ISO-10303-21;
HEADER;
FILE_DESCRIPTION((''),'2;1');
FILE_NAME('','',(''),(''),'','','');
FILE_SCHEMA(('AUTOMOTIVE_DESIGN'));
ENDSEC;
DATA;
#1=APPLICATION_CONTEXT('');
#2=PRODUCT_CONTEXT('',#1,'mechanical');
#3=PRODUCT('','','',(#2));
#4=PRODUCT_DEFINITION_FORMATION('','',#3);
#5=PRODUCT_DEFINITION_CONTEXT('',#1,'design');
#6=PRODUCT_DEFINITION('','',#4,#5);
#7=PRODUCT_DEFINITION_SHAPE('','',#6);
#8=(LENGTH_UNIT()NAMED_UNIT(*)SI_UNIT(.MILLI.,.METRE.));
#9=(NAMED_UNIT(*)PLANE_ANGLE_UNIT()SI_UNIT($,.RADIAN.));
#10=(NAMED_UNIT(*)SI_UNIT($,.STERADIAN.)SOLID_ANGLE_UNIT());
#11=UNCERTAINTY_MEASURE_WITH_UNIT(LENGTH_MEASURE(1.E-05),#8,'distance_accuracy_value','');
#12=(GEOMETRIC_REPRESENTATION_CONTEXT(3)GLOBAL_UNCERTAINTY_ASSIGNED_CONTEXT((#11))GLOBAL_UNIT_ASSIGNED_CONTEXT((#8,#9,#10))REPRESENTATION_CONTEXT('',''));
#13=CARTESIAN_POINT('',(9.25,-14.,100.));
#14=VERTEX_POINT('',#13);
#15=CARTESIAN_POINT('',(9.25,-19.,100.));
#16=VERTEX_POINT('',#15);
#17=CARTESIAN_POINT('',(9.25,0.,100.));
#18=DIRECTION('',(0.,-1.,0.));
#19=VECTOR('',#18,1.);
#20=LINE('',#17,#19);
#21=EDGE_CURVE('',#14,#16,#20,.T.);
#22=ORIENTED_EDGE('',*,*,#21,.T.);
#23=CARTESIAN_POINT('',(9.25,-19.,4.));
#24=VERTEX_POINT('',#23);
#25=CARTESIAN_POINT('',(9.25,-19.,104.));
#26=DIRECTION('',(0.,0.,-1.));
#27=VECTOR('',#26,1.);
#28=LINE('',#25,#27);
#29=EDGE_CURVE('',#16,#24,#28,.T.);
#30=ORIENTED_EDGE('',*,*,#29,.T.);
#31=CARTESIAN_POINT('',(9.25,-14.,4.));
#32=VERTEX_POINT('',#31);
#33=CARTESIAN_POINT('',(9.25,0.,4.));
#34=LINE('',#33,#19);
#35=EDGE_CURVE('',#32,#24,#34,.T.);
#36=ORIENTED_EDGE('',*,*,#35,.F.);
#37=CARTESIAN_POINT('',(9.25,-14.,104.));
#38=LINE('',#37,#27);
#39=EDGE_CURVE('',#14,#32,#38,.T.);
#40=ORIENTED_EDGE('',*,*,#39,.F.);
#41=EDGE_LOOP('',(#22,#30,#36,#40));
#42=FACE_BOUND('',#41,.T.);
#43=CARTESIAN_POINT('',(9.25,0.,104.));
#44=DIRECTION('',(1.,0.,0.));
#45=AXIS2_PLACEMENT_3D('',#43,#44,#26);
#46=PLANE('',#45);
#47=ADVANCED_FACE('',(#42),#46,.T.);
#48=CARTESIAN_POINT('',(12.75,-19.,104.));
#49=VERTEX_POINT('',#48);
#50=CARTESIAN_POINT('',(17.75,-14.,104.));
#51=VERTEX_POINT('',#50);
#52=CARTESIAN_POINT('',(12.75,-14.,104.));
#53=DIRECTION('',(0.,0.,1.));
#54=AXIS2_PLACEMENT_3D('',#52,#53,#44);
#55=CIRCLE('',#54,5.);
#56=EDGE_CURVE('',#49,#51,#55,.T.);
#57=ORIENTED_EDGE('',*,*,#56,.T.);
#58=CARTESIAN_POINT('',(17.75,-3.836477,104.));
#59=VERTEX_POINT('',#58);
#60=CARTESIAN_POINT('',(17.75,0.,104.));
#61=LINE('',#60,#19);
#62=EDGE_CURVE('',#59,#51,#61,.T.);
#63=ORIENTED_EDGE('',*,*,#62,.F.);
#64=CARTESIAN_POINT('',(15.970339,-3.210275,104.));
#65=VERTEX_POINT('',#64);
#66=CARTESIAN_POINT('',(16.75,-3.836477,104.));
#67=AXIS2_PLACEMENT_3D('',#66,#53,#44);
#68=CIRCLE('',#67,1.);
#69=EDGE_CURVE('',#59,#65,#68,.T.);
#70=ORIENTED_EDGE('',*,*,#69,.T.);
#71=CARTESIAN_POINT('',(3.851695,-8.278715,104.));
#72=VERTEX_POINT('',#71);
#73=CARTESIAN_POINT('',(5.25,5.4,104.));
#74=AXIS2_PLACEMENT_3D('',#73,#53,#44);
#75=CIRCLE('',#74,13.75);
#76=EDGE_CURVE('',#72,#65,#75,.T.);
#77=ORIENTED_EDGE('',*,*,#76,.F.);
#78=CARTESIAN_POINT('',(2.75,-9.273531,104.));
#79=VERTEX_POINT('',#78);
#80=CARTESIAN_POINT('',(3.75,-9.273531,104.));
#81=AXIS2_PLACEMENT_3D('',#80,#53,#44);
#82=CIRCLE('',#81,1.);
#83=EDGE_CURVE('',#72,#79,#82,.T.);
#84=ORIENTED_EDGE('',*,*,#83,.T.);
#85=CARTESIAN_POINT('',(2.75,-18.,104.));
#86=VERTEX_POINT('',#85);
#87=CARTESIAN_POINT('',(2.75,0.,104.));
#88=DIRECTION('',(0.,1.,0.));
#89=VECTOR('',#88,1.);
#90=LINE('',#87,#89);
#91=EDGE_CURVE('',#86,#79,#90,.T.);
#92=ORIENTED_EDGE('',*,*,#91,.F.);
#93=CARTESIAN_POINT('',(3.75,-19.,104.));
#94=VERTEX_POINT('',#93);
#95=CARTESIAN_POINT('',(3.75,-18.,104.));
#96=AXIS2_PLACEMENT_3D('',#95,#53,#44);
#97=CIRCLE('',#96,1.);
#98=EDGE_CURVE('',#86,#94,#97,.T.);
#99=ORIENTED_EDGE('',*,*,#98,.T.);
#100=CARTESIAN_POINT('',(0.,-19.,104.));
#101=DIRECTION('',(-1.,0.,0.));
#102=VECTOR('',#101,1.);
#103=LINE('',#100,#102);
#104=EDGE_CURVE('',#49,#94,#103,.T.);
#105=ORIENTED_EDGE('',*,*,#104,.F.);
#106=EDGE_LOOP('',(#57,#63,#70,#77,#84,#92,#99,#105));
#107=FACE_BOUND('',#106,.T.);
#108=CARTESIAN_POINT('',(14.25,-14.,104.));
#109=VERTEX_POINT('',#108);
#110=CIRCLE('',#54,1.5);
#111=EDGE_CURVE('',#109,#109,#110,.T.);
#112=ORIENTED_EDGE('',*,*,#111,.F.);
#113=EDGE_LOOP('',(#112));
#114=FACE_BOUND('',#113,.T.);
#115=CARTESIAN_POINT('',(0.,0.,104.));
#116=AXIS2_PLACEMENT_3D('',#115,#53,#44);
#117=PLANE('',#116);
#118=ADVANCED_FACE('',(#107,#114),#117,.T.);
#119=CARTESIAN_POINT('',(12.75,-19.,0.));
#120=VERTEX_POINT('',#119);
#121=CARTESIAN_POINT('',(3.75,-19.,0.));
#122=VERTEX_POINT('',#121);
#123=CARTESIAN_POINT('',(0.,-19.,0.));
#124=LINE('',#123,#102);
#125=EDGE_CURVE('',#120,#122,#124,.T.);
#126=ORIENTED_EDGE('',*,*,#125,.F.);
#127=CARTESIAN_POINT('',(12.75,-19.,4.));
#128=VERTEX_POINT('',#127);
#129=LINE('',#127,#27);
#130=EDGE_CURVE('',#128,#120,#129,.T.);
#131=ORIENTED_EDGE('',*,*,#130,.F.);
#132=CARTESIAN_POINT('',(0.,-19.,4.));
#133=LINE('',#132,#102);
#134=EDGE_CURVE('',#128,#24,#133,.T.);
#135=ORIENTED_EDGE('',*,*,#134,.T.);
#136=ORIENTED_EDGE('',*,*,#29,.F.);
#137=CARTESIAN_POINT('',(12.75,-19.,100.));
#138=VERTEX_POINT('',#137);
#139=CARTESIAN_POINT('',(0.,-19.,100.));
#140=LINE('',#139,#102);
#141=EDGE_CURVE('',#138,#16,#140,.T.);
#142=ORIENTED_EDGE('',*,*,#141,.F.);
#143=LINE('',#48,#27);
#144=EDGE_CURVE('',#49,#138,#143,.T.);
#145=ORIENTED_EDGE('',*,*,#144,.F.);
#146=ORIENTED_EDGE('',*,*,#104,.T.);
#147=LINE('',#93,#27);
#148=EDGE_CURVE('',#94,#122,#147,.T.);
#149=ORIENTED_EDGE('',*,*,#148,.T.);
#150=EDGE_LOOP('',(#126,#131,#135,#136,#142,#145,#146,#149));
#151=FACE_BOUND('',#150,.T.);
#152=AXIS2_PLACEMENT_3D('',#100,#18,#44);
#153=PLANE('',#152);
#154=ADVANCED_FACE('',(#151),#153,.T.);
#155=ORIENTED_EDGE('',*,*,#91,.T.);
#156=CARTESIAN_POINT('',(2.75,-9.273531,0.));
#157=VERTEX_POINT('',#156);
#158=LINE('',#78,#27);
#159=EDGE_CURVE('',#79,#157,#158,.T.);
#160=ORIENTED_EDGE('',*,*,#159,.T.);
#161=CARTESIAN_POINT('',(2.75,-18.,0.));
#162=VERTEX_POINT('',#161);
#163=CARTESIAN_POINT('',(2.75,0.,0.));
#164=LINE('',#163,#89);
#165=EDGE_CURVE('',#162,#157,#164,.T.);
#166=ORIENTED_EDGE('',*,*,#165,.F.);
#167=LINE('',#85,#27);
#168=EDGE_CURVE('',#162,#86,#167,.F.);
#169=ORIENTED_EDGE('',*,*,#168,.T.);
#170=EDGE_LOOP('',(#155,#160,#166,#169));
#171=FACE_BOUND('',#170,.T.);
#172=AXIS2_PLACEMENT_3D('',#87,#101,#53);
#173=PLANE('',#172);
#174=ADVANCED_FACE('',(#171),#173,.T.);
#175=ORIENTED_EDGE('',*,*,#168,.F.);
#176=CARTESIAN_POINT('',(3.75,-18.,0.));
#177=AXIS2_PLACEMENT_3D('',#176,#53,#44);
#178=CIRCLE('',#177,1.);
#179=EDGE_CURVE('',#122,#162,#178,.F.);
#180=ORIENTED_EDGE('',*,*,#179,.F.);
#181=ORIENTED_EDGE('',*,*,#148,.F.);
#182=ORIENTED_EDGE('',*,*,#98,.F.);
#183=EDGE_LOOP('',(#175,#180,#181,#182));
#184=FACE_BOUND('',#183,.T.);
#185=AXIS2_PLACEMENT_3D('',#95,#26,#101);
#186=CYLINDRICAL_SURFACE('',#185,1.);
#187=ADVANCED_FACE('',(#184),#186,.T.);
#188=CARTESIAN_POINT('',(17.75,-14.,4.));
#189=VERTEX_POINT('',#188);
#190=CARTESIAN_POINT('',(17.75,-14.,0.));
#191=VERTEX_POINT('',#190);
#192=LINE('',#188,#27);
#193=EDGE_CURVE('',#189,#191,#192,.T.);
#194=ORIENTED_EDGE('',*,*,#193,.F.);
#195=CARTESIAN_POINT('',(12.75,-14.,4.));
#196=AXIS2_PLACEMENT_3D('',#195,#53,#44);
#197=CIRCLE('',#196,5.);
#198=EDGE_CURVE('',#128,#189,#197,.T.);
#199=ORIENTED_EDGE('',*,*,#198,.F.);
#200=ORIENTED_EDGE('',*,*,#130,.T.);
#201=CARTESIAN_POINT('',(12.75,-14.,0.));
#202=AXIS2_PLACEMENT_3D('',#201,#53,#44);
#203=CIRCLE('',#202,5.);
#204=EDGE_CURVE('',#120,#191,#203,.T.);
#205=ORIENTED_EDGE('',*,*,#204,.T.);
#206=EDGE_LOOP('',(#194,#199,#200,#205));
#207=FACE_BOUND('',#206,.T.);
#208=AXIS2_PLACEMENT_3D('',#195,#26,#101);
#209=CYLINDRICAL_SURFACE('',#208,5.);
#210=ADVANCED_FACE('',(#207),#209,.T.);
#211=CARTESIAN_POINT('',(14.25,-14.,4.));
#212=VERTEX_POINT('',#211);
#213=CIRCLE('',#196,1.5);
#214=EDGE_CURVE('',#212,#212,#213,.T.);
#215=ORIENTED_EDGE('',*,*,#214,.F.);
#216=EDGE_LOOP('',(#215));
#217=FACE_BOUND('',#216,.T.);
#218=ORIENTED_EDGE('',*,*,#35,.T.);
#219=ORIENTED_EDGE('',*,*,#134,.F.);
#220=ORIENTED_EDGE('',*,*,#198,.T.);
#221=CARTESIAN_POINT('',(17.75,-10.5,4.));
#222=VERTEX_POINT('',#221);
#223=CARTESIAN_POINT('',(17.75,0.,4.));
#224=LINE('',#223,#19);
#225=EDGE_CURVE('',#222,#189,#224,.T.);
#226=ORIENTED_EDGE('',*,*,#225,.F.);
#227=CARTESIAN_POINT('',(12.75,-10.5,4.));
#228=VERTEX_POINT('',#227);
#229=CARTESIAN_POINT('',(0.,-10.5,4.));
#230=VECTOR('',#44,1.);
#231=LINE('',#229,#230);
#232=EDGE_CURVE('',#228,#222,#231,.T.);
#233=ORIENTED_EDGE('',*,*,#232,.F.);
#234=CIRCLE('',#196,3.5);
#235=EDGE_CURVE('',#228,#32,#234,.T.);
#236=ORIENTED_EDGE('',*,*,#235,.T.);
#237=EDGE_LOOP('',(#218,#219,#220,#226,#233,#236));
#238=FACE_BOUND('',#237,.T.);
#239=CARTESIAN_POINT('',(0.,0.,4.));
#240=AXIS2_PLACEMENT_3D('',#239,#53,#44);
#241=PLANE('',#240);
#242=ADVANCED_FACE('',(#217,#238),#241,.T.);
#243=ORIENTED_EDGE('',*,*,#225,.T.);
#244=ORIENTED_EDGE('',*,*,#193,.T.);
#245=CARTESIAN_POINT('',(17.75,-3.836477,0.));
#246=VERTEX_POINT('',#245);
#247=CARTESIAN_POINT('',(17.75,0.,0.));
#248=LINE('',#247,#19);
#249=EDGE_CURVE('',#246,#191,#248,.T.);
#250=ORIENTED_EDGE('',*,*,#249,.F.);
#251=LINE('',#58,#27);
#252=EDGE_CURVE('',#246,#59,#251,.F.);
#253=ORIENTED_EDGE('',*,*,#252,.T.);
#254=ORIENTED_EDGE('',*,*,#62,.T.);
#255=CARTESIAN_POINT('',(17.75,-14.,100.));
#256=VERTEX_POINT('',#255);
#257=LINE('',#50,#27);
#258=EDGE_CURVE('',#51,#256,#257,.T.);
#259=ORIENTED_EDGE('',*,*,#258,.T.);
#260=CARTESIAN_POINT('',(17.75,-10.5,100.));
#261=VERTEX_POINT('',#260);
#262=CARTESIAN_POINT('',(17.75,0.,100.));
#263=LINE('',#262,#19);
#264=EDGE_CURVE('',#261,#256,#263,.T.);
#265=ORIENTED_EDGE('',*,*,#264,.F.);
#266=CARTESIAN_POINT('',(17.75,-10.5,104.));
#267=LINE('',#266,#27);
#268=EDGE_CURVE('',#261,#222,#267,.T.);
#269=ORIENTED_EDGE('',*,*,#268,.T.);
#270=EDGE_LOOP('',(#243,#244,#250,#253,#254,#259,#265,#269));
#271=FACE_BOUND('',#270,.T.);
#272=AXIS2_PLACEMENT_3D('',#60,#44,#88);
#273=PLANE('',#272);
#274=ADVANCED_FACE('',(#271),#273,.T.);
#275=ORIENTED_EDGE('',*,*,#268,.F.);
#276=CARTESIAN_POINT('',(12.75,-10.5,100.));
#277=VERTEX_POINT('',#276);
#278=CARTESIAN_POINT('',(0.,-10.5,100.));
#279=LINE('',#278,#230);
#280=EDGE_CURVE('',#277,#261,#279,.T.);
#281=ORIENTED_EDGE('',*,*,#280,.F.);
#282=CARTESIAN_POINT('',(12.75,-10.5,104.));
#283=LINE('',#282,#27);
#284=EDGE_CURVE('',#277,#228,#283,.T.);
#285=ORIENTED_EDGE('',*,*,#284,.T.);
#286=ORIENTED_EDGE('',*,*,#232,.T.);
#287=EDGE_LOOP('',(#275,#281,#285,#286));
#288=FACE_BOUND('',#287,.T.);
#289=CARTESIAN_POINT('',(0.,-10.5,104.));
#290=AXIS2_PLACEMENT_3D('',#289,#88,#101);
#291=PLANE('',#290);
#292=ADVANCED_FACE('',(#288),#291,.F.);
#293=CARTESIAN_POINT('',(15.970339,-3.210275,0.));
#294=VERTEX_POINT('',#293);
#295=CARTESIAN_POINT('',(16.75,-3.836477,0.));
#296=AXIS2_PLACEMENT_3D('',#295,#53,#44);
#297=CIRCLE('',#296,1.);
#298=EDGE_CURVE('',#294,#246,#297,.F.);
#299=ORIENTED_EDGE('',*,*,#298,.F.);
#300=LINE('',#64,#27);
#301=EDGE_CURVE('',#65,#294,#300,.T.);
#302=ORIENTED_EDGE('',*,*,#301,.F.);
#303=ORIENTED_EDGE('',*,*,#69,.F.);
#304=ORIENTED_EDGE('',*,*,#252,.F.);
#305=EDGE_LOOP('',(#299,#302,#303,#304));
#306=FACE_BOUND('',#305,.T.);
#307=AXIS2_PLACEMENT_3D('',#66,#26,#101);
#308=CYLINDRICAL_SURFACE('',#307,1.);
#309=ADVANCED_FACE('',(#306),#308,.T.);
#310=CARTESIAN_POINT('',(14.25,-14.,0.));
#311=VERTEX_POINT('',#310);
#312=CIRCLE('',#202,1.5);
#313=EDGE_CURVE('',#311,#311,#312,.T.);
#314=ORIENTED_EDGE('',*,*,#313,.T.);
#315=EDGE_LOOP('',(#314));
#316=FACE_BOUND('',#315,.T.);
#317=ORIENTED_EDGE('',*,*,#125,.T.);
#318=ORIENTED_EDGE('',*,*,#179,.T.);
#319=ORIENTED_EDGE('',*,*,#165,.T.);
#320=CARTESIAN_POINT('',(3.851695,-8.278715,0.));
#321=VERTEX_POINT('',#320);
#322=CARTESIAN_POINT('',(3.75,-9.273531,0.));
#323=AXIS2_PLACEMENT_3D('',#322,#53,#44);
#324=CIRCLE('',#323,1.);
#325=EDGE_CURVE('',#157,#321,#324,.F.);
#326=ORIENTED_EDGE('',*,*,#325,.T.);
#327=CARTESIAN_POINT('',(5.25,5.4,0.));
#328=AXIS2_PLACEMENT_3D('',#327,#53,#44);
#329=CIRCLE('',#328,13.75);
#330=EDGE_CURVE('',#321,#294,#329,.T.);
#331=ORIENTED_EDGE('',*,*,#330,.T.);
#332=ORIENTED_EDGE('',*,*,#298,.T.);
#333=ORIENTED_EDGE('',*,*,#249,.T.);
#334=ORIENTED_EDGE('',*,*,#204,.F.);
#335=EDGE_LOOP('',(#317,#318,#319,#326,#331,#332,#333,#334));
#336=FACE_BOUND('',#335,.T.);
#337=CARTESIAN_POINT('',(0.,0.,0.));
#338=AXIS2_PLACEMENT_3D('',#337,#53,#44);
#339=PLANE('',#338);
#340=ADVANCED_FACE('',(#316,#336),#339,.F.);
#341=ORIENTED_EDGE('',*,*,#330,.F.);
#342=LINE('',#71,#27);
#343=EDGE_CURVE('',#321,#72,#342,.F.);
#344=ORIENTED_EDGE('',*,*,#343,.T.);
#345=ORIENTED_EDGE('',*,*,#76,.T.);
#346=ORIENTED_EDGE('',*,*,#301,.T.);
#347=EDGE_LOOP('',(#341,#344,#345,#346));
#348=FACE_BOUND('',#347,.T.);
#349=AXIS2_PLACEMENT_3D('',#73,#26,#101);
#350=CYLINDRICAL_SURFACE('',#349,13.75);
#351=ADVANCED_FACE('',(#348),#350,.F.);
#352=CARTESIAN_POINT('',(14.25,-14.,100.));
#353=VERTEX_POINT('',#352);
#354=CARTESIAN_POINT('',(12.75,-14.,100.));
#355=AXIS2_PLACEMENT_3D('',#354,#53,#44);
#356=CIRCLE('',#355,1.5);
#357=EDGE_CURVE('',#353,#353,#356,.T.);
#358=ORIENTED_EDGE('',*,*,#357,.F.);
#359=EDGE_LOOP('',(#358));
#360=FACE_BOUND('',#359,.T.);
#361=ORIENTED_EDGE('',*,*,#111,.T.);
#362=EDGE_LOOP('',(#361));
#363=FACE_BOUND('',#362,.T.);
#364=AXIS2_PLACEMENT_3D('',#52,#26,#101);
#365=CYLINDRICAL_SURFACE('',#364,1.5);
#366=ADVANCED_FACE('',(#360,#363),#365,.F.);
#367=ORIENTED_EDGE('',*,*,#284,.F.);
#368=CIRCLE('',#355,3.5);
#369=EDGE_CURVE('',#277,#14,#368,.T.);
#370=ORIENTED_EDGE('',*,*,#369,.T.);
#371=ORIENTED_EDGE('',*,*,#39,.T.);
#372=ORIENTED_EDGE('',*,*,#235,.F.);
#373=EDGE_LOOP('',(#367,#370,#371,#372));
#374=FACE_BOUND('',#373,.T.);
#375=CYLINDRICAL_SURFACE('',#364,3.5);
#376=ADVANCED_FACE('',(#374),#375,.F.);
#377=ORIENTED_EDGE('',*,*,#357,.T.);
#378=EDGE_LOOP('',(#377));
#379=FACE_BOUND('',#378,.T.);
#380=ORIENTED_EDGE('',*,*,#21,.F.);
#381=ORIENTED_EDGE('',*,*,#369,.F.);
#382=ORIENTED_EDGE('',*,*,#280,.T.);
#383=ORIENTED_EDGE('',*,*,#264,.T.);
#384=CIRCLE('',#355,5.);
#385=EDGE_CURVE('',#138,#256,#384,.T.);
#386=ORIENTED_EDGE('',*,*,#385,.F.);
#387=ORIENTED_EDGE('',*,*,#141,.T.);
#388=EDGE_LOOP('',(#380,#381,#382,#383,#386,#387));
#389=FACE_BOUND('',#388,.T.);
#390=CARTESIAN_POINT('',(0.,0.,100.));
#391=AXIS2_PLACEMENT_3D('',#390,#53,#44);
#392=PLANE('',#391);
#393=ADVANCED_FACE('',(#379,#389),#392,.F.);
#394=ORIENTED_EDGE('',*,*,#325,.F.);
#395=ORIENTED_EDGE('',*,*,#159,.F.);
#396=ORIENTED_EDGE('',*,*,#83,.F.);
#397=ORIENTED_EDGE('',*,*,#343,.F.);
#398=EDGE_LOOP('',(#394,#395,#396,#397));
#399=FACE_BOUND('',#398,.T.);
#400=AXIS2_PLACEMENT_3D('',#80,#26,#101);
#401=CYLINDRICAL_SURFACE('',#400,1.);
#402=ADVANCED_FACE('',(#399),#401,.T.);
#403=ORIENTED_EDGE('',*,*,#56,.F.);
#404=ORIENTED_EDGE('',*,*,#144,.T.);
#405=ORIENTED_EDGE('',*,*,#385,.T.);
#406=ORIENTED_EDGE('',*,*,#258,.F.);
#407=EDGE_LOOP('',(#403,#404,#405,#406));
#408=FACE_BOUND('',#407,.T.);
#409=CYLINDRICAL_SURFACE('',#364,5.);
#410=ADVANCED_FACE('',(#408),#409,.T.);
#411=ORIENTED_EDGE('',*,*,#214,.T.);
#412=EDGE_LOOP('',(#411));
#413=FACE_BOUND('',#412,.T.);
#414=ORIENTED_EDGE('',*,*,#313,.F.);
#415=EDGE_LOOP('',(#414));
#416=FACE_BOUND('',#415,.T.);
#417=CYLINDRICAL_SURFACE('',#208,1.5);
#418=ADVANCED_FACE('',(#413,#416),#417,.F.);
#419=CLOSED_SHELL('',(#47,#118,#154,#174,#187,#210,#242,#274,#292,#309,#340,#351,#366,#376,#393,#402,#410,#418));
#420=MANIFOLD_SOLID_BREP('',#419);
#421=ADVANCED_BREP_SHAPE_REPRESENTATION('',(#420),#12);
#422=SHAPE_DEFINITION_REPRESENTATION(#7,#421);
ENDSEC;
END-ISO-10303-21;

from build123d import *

# Parameters (mm, degrees)
EXTRUDE_1_DEPTH = 104
SKETCH_1_23_R   = 1.5
EXTRUDE_2_DEPTH = 4
EXTRUDE_START   = 100
SKETCH_1_24_R   = 1.5
EXTRUDE_3_DEPTH = 4
FILLET_1_R      = 1


with BuildPart() as part:
    # 草图1 → 凸台-拉伸1 (new body)
    with BuildSketch(Plane.XY):
        with BuildLine():
            Line((17.75, -10.5), (17.75, -0.328219619))
            ThreePointArc((17.75, -0.328219619), (11.588859881, -6.801694776), (2.75, -8.120817283))
            Line((2.75, -8.120817283), (2.75, -19))
            Line((2.75, -19), (9.25, -19))
            Line((9.25, -19), (9.25, -14))
            ThreePointArc((9.25, -14), (10.275126266, -11.525126266), (12.75, -10.5))
            Line((12.75, -10.5), (17.75, -10.5))
        make_face()
    extrude(amount=EXTRUDE_1_DEPTH)

    # 草图1<23> → 凸台-拉伸2 (add)
    with BuildSketch(Plane.XY):
        with BuildLine():
            Line((17.75, -14), (17.75, -10.5))
            Line((17.75, -10.5), (12.75, -10.5))
            ThreePointArc((12.75, -10.5), (10.275126266, -11.525126266), (9.25, -14))
            Line((9.25, -14), (9.25, -19))
            Line((9.25, -19), (12.75, -19))
            ThreePointArc((12.75, -19), (16.285533906, -17.535533906), (17.75, -14))
        make_face()
        with Locations((12.75, -14)):
            Circle(SKETCH_1_23_R, mode=Mode.SUBTRACT)
    extrude(amount=EXTRUDE_2_DEPTH)

    # 草图1<24> → 凸台-拉伸3 (add)
    with BuildSketch(Plane.XY.offset(EXTRUDE_START)):
        with BuildLine():
            Line((17.75, -14), (17.75, -10.5))
            Line((17.75, -10.5), (12.75, -10.5))
            ThreePointArc((12.75, -10.5), (10.275126266, -11.525126266), (9.25, -14))
            Line((9.25, -14), (9.25, -19))
            Line((9.25, -19), (12.75, -19))
            ThreePointArc((12.75, -19), (16.285533906, -17.535533906), (17.75, -14))
        make_face()
        with Locations((12.75, -14)):
            Circle(SKETCH_1_24_R, mode=Mode.SUBTRACT)
    extrude(amount=EXTRUDE_3_DEPTH)

    # 圆角1
    fillet_1_edges = [part.edges().sort_by_distance(p)[0] for p in [
        (2.75, -19, 52),
        (2.75, -8.120817283, 52),
        (17.75, -0.328219619, 52),
    ]]
    fillet(fillet_1_edges, radius=FILLET_1_R)


solid = part.part
